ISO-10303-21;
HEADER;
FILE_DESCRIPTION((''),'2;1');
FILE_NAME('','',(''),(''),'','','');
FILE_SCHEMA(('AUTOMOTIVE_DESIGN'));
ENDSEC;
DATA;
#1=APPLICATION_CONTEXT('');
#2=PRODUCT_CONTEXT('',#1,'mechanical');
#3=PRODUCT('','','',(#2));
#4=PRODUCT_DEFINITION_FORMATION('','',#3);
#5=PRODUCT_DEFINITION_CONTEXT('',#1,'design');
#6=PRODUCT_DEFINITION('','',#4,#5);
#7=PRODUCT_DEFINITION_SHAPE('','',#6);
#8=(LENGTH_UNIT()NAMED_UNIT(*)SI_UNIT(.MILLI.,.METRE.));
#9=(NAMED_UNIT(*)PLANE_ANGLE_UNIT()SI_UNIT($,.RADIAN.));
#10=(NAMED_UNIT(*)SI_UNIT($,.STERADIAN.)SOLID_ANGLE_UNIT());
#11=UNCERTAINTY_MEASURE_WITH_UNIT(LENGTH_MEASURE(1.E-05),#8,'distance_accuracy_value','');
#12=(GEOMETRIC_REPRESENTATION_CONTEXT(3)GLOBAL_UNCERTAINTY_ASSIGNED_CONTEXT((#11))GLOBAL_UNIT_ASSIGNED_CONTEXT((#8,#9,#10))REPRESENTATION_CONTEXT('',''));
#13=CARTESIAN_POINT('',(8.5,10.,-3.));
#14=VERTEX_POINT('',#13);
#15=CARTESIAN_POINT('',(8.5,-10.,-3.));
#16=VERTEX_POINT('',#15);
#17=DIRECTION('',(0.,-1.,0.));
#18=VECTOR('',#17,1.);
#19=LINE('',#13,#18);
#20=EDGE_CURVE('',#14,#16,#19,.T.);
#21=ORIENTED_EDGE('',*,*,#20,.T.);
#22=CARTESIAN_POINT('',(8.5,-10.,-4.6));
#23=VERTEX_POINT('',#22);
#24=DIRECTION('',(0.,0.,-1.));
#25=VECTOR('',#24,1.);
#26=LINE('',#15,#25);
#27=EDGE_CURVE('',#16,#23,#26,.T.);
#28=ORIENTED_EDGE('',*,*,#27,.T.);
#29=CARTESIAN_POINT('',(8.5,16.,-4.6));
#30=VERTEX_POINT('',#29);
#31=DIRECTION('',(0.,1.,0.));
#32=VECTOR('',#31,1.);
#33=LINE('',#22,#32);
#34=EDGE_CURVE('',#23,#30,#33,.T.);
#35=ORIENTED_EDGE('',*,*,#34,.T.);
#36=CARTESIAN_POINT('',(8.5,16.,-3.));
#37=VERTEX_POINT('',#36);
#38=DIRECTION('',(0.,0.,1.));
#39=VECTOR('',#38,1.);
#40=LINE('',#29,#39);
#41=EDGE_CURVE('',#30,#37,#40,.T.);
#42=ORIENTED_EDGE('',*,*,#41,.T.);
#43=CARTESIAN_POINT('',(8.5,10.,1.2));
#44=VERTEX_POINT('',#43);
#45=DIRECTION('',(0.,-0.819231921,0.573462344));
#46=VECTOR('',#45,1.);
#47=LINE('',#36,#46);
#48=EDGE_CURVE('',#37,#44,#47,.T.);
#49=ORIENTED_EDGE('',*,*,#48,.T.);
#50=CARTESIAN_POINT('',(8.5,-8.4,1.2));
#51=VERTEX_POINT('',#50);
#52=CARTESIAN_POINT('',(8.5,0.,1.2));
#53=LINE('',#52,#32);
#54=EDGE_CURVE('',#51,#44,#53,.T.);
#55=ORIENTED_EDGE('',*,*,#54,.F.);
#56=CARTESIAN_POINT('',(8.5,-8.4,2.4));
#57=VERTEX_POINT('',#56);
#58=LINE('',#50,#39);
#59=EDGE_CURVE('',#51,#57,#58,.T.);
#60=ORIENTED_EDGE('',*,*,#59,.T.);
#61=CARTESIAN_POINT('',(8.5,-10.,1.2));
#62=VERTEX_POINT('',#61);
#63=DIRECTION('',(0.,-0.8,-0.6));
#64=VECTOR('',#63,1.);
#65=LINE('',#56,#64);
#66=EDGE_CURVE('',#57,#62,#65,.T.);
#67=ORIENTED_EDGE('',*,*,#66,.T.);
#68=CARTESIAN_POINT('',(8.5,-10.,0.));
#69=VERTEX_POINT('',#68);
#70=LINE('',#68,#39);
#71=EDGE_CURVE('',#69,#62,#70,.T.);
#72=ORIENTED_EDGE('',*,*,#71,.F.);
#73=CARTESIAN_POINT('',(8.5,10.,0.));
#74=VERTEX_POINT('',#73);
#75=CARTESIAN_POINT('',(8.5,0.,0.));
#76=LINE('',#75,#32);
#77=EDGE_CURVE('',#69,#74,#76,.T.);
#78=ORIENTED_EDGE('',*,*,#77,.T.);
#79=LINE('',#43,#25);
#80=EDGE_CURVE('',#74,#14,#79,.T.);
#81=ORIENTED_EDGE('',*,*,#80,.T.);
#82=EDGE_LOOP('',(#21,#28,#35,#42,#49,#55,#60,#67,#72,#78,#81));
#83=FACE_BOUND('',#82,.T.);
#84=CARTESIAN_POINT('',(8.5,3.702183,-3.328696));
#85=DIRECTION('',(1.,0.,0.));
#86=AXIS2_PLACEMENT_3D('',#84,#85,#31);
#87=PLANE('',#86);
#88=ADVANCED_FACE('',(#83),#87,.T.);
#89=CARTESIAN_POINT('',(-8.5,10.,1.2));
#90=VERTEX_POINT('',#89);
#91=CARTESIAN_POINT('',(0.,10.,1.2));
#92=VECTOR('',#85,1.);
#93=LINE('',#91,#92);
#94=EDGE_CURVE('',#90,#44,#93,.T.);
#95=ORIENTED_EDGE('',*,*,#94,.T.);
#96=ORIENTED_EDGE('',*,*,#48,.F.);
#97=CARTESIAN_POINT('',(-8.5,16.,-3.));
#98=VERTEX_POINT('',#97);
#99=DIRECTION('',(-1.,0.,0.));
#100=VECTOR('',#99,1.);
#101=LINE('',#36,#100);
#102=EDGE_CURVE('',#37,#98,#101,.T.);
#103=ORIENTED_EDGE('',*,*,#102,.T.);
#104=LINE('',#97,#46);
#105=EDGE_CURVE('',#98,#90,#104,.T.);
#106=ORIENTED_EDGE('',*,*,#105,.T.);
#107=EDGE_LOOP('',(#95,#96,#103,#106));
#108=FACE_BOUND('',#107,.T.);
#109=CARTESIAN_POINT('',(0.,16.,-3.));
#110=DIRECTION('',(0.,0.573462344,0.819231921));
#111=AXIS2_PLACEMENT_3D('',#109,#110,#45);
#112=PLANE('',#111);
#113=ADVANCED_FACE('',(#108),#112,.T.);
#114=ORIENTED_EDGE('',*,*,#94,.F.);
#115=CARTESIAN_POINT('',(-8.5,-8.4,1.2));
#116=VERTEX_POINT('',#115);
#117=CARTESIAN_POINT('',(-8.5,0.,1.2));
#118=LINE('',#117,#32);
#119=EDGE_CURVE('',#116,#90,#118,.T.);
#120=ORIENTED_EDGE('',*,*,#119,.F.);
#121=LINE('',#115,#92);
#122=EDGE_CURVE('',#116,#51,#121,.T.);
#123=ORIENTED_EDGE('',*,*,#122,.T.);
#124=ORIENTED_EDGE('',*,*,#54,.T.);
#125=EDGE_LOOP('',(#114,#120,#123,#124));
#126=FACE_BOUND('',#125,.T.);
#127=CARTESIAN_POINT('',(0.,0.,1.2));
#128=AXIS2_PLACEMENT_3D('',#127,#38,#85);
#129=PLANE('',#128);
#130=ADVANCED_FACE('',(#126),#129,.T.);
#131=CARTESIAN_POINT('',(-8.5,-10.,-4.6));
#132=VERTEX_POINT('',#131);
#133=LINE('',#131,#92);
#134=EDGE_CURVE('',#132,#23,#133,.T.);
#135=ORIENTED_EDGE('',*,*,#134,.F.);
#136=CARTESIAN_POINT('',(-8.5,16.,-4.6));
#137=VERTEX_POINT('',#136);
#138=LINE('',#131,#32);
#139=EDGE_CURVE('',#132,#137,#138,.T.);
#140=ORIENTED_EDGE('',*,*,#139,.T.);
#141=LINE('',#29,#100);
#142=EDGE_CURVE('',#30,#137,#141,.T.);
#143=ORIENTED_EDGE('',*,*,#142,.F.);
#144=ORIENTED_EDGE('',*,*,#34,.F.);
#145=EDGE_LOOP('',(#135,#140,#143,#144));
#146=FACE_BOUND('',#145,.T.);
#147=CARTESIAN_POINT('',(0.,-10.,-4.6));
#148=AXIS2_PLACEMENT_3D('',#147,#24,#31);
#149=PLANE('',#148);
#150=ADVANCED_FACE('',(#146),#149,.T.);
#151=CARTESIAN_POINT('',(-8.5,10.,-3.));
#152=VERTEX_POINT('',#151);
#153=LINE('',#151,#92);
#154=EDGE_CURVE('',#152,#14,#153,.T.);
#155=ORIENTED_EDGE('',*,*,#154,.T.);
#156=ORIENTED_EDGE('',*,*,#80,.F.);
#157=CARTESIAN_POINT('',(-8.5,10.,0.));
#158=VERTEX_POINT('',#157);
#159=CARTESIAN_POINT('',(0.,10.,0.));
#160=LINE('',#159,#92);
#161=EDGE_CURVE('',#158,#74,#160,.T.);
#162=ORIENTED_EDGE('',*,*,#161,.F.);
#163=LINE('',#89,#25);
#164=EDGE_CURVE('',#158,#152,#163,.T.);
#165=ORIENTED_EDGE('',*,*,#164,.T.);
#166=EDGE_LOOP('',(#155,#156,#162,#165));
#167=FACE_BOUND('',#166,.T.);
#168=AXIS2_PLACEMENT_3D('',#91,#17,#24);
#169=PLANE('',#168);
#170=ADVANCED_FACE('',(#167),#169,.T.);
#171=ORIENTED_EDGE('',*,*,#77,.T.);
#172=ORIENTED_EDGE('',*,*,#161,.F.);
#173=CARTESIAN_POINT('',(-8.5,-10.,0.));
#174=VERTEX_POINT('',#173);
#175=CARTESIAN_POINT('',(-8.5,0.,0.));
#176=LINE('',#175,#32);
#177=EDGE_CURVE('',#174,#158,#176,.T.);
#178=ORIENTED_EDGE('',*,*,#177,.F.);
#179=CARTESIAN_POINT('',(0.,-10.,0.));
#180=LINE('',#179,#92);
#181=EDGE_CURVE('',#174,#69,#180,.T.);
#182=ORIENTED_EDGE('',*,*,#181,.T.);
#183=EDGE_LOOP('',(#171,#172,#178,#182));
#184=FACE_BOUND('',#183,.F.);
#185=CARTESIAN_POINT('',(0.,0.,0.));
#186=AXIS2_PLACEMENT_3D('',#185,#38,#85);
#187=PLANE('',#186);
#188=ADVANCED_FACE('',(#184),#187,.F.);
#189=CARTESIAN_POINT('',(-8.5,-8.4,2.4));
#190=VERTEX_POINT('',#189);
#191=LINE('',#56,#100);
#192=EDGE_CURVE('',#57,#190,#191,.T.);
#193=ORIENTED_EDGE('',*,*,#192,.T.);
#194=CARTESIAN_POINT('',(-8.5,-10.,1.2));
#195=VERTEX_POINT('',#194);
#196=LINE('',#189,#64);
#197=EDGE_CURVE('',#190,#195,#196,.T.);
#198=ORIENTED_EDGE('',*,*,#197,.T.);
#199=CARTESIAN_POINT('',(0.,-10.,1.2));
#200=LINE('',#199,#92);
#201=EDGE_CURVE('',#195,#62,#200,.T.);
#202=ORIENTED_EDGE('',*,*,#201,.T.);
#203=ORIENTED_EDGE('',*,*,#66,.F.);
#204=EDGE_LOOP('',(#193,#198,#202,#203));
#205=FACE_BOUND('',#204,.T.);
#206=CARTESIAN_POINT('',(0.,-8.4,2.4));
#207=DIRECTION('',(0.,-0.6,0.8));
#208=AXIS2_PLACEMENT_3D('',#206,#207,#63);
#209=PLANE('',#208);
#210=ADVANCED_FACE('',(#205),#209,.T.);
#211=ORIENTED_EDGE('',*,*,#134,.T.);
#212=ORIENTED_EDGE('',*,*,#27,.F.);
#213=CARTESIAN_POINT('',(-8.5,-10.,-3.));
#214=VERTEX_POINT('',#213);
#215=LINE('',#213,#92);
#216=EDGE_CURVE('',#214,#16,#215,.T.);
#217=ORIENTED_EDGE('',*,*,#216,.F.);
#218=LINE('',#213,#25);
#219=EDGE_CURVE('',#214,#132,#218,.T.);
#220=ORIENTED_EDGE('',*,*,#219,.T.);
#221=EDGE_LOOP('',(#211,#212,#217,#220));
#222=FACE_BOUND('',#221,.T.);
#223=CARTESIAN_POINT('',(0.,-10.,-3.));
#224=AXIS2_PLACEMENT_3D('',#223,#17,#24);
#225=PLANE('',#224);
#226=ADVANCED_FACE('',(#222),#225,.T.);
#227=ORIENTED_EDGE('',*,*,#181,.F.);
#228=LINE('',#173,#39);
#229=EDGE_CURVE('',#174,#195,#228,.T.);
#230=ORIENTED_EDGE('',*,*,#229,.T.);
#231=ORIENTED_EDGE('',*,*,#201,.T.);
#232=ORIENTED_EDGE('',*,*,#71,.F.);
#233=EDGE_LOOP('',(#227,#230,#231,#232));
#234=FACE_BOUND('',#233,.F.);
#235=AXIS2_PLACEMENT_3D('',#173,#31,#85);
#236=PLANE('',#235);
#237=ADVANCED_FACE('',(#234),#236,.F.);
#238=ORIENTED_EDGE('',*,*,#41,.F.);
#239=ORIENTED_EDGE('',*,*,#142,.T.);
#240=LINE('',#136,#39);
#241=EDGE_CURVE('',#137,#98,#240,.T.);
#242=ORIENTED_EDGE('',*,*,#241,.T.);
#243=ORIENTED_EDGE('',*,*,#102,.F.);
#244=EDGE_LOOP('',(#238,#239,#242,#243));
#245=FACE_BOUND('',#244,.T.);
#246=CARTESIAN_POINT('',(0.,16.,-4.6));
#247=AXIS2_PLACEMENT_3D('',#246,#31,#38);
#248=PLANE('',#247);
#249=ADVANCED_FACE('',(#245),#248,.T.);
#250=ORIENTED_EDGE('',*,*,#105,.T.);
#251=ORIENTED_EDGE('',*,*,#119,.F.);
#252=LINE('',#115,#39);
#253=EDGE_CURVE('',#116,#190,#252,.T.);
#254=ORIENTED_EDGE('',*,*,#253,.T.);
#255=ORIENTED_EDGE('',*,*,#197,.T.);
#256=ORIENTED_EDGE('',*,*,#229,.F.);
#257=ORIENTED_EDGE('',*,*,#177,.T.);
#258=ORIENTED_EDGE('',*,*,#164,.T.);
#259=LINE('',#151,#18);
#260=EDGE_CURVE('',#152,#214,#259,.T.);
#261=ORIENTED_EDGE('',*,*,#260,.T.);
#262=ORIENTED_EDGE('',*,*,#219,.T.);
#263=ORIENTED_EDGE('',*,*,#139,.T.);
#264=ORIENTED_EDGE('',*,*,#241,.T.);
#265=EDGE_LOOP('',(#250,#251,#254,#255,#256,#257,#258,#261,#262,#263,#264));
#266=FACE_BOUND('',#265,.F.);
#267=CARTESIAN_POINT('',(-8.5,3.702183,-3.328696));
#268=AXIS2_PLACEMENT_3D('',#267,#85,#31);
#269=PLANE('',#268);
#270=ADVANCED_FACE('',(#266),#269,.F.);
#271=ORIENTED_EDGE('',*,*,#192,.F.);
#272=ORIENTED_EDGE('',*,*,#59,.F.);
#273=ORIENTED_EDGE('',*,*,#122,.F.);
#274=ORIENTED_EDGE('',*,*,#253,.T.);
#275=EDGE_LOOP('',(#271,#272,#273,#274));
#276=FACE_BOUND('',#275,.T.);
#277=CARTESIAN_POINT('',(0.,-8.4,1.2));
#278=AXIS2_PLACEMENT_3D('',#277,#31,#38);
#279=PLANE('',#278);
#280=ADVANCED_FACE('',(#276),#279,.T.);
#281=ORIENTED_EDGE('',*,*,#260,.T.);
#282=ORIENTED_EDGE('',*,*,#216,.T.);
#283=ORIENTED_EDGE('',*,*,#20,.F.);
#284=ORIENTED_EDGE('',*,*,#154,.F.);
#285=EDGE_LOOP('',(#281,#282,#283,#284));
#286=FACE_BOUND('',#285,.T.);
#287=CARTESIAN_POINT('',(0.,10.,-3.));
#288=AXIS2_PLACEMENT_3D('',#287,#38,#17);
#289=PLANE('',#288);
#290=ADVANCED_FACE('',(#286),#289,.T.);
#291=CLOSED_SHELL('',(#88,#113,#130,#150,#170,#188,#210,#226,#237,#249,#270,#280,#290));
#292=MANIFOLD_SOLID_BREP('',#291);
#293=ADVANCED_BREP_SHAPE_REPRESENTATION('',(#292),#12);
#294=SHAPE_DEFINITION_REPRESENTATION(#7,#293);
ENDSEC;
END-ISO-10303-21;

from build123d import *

# Parameters (mm, degrees)
F0_W     = 17
F0_H     = 20
F1_DEPTH = 1.2
F3_DEPTH = 8.5
F5_DEPTH = 8.5


with BuildPart() as f1:
    # F0 (on Top) → F1 (new body)
    with BuildSketch(Plane.XY):
        Rectangle(F0_W, F0_H)
    extrude(amount=F1_DEPTH)

    # F2 (on Right) → F3 (join, symmetric)
    with BuildSketch(Plane.YZ):
        Polygon((-10, 1.2), (-8.4, 1.2), (-8.4, 2.4), align=None)
    extrude(amount=F3_DEPTH, both=True)

    # F4 (on Right) → F5 (join, symmetric)
    with BuildSketch(Plane.YZ):
        Polygon((10, 1.2), (10, 0), (10, -3), (-10, -3), (-10, -4.6), (16, -4.6), (16, -3), align=None)
    extrude(amount=F5_DEPTH, both=True)


solid = f1.part
